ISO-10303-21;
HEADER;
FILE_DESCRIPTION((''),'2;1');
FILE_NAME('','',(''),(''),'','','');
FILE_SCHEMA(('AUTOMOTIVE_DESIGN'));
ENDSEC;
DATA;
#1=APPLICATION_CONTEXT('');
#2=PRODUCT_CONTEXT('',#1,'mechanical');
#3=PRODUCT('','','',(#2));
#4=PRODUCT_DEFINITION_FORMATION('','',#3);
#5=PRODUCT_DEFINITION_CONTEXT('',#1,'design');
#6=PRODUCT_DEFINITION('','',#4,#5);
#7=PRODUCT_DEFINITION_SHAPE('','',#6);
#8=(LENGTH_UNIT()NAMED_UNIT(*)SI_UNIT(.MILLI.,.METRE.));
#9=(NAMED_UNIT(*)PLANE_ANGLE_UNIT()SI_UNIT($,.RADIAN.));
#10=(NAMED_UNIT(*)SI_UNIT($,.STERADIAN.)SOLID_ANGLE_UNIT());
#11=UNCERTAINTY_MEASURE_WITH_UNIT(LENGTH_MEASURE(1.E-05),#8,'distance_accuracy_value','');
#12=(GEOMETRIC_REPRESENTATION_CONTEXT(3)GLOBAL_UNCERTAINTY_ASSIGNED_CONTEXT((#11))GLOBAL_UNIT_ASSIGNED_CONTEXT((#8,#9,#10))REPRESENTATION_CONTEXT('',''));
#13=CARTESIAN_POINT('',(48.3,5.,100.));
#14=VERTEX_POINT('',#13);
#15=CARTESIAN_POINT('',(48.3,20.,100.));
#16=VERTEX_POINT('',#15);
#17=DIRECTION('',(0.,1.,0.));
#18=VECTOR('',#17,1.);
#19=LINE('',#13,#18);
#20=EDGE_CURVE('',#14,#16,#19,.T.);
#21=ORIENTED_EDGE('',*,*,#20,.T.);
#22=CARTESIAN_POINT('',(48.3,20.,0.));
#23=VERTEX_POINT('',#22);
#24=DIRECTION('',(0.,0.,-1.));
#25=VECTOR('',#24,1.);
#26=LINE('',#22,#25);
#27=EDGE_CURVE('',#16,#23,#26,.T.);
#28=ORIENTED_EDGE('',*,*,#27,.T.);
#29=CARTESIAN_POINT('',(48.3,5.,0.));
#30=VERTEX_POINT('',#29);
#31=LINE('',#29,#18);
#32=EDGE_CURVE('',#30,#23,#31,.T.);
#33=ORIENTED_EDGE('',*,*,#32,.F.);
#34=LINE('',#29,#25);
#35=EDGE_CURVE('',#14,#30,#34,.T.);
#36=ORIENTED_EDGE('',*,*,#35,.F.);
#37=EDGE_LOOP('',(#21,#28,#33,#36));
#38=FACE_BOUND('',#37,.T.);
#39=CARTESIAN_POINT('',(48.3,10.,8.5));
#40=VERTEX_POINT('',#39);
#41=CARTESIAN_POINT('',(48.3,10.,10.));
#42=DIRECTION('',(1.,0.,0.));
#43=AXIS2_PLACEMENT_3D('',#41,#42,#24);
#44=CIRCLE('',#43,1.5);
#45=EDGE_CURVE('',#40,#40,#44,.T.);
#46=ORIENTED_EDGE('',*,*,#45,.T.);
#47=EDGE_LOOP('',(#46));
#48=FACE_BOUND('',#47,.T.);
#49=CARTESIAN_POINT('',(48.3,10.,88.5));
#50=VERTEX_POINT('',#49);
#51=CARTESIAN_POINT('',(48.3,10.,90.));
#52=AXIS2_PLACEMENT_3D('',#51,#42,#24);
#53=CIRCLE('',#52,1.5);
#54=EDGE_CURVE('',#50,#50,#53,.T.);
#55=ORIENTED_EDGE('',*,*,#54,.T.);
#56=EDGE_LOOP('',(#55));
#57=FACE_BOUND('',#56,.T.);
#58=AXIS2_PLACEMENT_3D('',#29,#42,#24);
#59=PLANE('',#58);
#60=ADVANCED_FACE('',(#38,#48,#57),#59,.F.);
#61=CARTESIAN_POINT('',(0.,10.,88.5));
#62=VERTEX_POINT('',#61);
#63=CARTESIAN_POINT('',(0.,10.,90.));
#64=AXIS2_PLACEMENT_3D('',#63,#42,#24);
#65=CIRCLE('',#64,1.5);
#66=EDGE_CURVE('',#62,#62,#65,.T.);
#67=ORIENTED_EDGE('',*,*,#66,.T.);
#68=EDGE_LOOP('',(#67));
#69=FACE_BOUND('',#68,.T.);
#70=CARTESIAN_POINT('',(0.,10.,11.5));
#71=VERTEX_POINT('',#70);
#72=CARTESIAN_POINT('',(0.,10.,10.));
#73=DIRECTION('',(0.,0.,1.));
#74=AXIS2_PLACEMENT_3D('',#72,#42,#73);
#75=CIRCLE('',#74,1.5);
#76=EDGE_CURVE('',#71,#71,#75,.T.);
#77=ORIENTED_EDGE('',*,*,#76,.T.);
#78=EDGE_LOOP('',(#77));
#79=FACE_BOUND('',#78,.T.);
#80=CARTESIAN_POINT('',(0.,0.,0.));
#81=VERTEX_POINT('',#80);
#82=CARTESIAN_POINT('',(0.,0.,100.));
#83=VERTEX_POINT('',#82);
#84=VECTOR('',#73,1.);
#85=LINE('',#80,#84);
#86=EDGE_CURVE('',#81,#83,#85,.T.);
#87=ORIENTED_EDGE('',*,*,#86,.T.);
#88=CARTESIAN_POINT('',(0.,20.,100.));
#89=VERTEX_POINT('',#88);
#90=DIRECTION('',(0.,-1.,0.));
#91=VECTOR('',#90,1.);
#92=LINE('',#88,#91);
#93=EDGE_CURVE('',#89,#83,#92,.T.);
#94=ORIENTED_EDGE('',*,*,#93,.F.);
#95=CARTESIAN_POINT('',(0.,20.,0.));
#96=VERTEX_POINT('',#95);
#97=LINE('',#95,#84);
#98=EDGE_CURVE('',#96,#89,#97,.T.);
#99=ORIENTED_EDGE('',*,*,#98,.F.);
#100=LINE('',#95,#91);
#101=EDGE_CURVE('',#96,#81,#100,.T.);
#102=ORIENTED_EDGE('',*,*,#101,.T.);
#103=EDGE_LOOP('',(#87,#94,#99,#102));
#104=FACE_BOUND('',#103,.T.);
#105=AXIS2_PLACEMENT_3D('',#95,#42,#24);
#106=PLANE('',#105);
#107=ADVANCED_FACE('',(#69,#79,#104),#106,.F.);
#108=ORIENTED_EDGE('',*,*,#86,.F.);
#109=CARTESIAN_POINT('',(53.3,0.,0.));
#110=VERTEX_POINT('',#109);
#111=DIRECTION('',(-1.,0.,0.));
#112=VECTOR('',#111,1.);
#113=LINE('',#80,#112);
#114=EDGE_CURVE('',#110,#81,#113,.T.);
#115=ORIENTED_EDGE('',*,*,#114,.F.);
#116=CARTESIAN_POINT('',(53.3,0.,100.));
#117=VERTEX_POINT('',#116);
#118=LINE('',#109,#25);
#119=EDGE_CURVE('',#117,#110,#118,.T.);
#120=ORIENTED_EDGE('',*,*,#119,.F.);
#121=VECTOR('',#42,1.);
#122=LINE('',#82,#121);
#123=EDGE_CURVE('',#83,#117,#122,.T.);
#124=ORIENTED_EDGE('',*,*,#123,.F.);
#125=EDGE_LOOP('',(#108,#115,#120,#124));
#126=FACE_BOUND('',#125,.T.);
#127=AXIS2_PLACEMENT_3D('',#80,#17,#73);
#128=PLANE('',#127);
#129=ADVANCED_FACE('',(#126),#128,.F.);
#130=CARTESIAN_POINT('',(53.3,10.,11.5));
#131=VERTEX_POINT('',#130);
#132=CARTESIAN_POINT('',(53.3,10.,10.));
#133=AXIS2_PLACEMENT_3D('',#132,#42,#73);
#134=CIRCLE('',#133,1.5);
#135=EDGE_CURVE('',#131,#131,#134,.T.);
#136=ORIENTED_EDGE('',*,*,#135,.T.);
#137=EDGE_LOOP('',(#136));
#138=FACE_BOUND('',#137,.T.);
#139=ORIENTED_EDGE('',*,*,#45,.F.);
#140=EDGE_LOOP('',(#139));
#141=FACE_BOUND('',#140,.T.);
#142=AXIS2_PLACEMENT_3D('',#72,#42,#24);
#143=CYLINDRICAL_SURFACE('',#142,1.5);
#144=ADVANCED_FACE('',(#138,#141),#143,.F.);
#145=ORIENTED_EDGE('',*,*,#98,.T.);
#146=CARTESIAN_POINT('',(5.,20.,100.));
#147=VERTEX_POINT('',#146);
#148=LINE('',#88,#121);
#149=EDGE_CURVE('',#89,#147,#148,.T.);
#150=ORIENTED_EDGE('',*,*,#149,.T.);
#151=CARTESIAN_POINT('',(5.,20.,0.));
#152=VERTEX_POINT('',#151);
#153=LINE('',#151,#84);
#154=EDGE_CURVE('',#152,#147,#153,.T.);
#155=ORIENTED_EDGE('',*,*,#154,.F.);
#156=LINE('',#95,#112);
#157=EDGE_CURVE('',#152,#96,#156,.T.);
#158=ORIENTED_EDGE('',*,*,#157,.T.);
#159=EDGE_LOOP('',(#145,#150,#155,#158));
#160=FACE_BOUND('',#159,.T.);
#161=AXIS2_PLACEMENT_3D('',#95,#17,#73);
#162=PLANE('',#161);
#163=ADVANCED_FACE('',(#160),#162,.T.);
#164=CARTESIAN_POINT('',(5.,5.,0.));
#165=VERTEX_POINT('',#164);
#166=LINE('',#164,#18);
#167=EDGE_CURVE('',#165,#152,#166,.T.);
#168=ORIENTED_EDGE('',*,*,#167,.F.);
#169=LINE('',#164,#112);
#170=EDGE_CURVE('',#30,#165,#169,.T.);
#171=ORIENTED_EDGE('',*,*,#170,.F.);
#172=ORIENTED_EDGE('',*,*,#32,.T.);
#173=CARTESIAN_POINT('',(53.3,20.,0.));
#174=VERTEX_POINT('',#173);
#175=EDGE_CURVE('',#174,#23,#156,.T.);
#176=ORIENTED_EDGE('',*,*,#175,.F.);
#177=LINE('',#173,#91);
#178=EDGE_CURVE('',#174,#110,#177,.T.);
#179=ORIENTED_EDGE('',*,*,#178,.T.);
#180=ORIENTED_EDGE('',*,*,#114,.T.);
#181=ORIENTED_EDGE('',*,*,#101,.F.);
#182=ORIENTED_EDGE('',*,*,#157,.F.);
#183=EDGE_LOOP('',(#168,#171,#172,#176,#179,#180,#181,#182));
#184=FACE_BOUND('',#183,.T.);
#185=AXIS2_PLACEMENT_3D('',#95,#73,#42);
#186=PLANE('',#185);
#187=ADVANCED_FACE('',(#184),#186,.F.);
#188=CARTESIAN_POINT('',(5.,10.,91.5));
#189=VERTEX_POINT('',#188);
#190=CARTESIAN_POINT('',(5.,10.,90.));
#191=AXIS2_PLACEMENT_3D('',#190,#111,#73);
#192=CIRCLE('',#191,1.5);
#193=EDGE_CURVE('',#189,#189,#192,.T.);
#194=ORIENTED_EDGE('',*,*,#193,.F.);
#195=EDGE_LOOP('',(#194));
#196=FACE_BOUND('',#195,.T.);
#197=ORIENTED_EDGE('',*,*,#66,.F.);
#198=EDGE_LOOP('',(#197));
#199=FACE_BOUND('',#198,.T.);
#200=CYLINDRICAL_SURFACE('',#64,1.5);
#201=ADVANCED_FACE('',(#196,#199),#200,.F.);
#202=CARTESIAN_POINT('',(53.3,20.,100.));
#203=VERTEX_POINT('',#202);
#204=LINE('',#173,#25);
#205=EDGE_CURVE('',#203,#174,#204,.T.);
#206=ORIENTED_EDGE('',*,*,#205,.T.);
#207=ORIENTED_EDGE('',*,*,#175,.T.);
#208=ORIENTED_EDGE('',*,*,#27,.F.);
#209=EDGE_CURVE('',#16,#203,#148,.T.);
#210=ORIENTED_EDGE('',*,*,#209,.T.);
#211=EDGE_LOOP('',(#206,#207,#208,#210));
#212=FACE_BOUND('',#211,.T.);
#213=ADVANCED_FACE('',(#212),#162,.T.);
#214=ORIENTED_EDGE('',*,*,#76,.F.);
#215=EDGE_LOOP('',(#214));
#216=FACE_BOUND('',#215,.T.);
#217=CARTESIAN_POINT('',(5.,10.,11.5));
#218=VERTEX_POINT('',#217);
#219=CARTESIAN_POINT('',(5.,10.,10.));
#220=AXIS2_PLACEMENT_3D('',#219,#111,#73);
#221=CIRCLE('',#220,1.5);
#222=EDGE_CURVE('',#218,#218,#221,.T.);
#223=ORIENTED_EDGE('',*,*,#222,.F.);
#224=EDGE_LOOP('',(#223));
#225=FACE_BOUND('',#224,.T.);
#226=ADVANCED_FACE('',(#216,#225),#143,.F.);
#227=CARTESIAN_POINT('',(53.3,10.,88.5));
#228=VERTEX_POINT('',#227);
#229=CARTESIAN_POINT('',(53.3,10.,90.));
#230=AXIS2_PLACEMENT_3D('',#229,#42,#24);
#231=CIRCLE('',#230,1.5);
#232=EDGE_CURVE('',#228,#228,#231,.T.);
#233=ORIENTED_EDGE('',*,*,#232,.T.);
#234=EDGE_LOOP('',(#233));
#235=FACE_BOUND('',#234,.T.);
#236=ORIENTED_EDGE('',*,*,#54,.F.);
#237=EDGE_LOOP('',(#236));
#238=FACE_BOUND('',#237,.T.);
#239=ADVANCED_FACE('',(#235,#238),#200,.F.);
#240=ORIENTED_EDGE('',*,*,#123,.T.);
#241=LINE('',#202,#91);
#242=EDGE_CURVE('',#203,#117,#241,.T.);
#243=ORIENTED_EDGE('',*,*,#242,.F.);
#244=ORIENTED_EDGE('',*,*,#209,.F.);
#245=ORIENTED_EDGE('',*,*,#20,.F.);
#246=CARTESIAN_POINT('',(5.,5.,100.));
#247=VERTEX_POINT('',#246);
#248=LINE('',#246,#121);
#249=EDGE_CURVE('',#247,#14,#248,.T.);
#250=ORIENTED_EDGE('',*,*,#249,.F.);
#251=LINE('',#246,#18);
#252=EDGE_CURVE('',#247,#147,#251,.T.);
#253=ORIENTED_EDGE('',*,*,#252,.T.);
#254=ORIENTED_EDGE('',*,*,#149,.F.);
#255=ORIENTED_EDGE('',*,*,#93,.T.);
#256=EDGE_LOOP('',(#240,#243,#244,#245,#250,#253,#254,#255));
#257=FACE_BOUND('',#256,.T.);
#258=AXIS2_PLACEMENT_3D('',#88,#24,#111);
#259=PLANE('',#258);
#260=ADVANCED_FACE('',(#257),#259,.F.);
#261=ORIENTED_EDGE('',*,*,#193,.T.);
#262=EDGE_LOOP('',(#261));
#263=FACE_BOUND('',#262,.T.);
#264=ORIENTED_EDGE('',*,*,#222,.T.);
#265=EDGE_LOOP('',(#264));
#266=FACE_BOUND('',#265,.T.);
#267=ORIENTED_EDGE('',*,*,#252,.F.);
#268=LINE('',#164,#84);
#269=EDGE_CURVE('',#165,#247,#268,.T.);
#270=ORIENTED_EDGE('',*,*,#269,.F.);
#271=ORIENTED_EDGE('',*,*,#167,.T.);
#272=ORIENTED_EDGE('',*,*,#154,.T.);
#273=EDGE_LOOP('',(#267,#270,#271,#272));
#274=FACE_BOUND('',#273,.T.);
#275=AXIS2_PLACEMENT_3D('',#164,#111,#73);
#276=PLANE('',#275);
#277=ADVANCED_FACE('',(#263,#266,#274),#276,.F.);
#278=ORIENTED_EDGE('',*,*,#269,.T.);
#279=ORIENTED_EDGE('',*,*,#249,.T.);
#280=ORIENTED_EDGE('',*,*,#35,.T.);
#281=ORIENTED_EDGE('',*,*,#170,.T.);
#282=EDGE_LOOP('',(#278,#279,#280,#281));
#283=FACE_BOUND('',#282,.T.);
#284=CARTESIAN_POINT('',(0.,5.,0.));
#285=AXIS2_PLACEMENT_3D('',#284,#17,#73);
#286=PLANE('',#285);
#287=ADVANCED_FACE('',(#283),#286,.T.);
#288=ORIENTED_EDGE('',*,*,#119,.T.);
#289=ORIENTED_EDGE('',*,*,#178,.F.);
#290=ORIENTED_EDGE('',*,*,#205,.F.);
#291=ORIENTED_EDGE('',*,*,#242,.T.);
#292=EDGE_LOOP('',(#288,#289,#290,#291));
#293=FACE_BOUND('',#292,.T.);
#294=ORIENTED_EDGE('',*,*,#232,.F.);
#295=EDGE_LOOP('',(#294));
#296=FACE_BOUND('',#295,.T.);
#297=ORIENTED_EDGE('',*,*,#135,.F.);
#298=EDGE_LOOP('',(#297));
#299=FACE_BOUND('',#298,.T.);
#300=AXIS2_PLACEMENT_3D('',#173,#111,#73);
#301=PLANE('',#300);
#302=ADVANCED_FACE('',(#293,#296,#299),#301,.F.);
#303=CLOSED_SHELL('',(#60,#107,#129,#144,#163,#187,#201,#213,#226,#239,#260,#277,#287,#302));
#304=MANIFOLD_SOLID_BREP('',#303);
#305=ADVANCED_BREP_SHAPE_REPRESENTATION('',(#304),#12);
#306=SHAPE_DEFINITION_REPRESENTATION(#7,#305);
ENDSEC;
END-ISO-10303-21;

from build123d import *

# Parameters (mm, degrees)
ESQUISSE1_W             = 53.3
ESQUISSE1_H             = 100
BOSS_EXTRU_1_DEPTH      = 20
ESQUISSE2_W             = 43.3
ESQUISSE2_H             = 100
ENL_V_MAT_EXTRU_1_DEPTH = 15
ESQUISSE3_R             = 1.5
ENL_V_MAT_EXTRU_2_DEPTH = 54.3


with BuildPart() as part:
    # Esquisse1 → Boss.-Extru.1 (new body)
    with BuildSketch(Plane(origin=(0, 0, 0), x_dir=(1, 0, 0), z_dir=(0, 1, 0))):
        with Locations((26.65, -50)):
            Rectangle(ESQUISSE1_W, ESQUISSE1_H)
    extrude(amount=BOSS_EXTRU_1_DEPTH)

    # Esquisse2 → Enlèv. mat.-Extru.1 (cut)
    with BuildSketch(Plane(origin=(0, 20, 0), x_dir=(1, 0, 0), z_dir=(0, 1, 0))):
        with Locations((26.65, -50)):
            Rectangle(ESQUISSE2_W, ESQUISSE2_H)
    extrude(amount=-ENL_V_MAT_EXTRU_1_DEPTH, mode=Mode.SUBTRACT)

    # Esquisse3 → Enlèv. mat.-Extru.2 (cut, through all)
    with BuildSketch(Plane(origin=(53.3, 0, 0), x_dir=(0, 0, -1), z_dir=(1, 0, 0))):
        with Locations((-90, 10)):
            Circle(ESQUISSE3_R)
        with Locations((-10, 10)):
            Circle(ESQUISSE3_R)
    extrude(amount=-ENL_V_MAT_EXTRU_2_DEPTH, mode=Mode.SUBTRACT)


solid = part.part
